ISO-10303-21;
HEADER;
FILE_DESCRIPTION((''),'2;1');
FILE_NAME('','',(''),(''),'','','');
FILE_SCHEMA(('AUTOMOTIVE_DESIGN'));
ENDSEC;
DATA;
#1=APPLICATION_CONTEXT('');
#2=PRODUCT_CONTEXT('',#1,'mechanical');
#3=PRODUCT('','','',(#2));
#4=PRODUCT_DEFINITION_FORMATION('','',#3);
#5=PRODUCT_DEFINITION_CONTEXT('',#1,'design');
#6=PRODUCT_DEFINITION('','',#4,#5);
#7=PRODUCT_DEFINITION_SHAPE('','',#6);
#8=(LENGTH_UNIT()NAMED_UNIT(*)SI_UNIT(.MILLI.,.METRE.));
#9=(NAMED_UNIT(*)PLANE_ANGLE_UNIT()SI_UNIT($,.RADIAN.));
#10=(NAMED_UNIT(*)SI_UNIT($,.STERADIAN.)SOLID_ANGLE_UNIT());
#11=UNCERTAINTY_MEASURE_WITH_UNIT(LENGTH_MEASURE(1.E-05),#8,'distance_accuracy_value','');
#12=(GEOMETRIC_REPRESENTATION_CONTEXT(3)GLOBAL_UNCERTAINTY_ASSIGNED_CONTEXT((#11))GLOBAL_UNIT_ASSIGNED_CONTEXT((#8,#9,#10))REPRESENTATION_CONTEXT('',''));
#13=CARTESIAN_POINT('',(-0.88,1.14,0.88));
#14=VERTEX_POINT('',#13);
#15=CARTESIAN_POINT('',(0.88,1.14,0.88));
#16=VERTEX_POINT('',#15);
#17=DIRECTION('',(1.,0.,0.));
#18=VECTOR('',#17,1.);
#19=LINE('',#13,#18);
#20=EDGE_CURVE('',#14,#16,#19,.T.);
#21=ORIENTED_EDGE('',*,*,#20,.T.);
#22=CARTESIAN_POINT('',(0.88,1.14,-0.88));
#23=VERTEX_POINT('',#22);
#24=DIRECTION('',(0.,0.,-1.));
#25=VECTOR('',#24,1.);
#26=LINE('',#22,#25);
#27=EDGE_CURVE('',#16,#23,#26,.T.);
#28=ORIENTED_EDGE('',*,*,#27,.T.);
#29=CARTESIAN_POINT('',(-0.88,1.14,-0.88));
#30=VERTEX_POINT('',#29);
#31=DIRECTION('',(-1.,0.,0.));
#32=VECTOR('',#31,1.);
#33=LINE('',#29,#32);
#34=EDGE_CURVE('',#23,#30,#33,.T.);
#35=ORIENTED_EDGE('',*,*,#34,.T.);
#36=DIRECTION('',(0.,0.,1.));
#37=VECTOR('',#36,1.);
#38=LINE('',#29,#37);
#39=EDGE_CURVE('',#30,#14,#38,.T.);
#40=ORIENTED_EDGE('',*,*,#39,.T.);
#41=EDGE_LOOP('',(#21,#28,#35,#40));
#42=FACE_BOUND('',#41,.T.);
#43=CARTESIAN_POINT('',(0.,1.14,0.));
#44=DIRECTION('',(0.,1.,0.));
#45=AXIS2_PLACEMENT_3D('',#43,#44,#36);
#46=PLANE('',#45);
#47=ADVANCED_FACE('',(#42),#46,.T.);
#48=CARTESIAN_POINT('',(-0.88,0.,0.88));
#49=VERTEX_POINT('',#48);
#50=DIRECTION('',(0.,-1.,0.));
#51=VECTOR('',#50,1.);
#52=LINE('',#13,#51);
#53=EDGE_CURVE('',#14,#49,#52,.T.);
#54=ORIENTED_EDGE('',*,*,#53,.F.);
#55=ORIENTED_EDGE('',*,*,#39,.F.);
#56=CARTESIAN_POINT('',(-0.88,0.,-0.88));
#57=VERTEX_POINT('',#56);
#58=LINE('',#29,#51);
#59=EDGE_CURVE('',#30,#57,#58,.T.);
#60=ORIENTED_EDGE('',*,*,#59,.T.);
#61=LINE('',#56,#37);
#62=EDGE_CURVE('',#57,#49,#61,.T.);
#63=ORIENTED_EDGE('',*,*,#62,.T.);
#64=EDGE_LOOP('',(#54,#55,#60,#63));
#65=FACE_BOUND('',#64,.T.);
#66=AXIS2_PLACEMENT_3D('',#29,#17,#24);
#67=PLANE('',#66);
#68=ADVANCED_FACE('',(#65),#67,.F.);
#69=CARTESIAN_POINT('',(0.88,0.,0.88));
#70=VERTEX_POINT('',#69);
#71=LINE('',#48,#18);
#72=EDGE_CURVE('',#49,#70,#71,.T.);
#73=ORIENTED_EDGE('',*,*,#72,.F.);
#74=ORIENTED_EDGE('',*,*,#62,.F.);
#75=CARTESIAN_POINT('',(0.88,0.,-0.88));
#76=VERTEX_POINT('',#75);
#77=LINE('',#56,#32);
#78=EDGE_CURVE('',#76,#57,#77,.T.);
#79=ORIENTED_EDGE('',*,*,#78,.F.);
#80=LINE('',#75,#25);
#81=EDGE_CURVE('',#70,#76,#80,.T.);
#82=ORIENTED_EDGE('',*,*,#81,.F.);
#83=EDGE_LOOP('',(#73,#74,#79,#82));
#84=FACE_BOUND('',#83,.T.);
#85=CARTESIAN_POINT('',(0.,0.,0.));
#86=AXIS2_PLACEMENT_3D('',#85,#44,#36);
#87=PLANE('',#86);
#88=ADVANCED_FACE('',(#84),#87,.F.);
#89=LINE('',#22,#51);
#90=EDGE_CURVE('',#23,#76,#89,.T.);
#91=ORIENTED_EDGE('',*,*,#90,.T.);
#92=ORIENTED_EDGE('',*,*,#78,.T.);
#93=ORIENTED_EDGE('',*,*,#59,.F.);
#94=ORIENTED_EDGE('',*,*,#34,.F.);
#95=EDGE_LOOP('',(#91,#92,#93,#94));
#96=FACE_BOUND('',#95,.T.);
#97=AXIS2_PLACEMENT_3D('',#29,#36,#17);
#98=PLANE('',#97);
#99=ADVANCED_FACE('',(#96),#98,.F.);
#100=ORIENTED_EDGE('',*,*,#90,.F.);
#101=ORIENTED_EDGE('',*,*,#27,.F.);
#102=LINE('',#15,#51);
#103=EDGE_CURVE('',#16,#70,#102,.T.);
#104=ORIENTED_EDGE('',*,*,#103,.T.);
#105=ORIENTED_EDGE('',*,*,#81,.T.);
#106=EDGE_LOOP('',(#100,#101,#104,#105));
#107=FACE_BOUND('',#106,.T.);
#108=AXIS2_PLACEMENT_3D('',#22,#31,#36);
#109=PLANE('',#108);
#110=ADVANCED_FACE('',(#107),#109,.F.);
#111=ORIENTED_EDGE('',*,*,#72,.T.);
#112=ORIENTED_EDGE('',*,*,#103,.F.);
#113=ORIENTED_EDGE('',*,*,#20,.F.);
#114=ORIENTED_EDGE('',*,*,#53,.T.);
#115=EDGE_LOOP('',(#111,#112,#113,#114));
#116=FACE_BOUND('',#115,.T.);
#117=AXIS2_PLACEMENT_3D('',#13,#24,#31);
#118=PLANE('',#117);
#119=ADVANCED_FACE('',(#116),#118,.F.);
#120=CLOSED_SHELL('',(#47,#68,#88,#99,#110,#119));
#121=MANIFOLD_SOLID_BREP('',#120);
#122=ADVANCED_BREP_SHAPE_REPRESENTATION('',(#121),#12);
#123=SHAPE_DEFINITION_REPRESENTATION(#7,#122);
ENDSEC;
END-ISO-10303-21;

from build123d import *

# Parameters (mm, degrees)
SKETCH1_W           = 1.76
SKETCH1_H           = 1.76
BOSS_EXTRUDE1_DEPTH = 1.14


with BuildPart() as part:
    # Sketch1 → Boss-Extrude1 (new body)
    with BuildSketch(Plane(origin=(0, 0, 0), x_dir=(1, 0, 0), z_dir=(0, 1, 0))):
        Rectangle(SKETCH1_W, SKETCH1_H)
    extrude(amount=BOSS_EXTRUDE1_DEPTH)


solid = part.part
